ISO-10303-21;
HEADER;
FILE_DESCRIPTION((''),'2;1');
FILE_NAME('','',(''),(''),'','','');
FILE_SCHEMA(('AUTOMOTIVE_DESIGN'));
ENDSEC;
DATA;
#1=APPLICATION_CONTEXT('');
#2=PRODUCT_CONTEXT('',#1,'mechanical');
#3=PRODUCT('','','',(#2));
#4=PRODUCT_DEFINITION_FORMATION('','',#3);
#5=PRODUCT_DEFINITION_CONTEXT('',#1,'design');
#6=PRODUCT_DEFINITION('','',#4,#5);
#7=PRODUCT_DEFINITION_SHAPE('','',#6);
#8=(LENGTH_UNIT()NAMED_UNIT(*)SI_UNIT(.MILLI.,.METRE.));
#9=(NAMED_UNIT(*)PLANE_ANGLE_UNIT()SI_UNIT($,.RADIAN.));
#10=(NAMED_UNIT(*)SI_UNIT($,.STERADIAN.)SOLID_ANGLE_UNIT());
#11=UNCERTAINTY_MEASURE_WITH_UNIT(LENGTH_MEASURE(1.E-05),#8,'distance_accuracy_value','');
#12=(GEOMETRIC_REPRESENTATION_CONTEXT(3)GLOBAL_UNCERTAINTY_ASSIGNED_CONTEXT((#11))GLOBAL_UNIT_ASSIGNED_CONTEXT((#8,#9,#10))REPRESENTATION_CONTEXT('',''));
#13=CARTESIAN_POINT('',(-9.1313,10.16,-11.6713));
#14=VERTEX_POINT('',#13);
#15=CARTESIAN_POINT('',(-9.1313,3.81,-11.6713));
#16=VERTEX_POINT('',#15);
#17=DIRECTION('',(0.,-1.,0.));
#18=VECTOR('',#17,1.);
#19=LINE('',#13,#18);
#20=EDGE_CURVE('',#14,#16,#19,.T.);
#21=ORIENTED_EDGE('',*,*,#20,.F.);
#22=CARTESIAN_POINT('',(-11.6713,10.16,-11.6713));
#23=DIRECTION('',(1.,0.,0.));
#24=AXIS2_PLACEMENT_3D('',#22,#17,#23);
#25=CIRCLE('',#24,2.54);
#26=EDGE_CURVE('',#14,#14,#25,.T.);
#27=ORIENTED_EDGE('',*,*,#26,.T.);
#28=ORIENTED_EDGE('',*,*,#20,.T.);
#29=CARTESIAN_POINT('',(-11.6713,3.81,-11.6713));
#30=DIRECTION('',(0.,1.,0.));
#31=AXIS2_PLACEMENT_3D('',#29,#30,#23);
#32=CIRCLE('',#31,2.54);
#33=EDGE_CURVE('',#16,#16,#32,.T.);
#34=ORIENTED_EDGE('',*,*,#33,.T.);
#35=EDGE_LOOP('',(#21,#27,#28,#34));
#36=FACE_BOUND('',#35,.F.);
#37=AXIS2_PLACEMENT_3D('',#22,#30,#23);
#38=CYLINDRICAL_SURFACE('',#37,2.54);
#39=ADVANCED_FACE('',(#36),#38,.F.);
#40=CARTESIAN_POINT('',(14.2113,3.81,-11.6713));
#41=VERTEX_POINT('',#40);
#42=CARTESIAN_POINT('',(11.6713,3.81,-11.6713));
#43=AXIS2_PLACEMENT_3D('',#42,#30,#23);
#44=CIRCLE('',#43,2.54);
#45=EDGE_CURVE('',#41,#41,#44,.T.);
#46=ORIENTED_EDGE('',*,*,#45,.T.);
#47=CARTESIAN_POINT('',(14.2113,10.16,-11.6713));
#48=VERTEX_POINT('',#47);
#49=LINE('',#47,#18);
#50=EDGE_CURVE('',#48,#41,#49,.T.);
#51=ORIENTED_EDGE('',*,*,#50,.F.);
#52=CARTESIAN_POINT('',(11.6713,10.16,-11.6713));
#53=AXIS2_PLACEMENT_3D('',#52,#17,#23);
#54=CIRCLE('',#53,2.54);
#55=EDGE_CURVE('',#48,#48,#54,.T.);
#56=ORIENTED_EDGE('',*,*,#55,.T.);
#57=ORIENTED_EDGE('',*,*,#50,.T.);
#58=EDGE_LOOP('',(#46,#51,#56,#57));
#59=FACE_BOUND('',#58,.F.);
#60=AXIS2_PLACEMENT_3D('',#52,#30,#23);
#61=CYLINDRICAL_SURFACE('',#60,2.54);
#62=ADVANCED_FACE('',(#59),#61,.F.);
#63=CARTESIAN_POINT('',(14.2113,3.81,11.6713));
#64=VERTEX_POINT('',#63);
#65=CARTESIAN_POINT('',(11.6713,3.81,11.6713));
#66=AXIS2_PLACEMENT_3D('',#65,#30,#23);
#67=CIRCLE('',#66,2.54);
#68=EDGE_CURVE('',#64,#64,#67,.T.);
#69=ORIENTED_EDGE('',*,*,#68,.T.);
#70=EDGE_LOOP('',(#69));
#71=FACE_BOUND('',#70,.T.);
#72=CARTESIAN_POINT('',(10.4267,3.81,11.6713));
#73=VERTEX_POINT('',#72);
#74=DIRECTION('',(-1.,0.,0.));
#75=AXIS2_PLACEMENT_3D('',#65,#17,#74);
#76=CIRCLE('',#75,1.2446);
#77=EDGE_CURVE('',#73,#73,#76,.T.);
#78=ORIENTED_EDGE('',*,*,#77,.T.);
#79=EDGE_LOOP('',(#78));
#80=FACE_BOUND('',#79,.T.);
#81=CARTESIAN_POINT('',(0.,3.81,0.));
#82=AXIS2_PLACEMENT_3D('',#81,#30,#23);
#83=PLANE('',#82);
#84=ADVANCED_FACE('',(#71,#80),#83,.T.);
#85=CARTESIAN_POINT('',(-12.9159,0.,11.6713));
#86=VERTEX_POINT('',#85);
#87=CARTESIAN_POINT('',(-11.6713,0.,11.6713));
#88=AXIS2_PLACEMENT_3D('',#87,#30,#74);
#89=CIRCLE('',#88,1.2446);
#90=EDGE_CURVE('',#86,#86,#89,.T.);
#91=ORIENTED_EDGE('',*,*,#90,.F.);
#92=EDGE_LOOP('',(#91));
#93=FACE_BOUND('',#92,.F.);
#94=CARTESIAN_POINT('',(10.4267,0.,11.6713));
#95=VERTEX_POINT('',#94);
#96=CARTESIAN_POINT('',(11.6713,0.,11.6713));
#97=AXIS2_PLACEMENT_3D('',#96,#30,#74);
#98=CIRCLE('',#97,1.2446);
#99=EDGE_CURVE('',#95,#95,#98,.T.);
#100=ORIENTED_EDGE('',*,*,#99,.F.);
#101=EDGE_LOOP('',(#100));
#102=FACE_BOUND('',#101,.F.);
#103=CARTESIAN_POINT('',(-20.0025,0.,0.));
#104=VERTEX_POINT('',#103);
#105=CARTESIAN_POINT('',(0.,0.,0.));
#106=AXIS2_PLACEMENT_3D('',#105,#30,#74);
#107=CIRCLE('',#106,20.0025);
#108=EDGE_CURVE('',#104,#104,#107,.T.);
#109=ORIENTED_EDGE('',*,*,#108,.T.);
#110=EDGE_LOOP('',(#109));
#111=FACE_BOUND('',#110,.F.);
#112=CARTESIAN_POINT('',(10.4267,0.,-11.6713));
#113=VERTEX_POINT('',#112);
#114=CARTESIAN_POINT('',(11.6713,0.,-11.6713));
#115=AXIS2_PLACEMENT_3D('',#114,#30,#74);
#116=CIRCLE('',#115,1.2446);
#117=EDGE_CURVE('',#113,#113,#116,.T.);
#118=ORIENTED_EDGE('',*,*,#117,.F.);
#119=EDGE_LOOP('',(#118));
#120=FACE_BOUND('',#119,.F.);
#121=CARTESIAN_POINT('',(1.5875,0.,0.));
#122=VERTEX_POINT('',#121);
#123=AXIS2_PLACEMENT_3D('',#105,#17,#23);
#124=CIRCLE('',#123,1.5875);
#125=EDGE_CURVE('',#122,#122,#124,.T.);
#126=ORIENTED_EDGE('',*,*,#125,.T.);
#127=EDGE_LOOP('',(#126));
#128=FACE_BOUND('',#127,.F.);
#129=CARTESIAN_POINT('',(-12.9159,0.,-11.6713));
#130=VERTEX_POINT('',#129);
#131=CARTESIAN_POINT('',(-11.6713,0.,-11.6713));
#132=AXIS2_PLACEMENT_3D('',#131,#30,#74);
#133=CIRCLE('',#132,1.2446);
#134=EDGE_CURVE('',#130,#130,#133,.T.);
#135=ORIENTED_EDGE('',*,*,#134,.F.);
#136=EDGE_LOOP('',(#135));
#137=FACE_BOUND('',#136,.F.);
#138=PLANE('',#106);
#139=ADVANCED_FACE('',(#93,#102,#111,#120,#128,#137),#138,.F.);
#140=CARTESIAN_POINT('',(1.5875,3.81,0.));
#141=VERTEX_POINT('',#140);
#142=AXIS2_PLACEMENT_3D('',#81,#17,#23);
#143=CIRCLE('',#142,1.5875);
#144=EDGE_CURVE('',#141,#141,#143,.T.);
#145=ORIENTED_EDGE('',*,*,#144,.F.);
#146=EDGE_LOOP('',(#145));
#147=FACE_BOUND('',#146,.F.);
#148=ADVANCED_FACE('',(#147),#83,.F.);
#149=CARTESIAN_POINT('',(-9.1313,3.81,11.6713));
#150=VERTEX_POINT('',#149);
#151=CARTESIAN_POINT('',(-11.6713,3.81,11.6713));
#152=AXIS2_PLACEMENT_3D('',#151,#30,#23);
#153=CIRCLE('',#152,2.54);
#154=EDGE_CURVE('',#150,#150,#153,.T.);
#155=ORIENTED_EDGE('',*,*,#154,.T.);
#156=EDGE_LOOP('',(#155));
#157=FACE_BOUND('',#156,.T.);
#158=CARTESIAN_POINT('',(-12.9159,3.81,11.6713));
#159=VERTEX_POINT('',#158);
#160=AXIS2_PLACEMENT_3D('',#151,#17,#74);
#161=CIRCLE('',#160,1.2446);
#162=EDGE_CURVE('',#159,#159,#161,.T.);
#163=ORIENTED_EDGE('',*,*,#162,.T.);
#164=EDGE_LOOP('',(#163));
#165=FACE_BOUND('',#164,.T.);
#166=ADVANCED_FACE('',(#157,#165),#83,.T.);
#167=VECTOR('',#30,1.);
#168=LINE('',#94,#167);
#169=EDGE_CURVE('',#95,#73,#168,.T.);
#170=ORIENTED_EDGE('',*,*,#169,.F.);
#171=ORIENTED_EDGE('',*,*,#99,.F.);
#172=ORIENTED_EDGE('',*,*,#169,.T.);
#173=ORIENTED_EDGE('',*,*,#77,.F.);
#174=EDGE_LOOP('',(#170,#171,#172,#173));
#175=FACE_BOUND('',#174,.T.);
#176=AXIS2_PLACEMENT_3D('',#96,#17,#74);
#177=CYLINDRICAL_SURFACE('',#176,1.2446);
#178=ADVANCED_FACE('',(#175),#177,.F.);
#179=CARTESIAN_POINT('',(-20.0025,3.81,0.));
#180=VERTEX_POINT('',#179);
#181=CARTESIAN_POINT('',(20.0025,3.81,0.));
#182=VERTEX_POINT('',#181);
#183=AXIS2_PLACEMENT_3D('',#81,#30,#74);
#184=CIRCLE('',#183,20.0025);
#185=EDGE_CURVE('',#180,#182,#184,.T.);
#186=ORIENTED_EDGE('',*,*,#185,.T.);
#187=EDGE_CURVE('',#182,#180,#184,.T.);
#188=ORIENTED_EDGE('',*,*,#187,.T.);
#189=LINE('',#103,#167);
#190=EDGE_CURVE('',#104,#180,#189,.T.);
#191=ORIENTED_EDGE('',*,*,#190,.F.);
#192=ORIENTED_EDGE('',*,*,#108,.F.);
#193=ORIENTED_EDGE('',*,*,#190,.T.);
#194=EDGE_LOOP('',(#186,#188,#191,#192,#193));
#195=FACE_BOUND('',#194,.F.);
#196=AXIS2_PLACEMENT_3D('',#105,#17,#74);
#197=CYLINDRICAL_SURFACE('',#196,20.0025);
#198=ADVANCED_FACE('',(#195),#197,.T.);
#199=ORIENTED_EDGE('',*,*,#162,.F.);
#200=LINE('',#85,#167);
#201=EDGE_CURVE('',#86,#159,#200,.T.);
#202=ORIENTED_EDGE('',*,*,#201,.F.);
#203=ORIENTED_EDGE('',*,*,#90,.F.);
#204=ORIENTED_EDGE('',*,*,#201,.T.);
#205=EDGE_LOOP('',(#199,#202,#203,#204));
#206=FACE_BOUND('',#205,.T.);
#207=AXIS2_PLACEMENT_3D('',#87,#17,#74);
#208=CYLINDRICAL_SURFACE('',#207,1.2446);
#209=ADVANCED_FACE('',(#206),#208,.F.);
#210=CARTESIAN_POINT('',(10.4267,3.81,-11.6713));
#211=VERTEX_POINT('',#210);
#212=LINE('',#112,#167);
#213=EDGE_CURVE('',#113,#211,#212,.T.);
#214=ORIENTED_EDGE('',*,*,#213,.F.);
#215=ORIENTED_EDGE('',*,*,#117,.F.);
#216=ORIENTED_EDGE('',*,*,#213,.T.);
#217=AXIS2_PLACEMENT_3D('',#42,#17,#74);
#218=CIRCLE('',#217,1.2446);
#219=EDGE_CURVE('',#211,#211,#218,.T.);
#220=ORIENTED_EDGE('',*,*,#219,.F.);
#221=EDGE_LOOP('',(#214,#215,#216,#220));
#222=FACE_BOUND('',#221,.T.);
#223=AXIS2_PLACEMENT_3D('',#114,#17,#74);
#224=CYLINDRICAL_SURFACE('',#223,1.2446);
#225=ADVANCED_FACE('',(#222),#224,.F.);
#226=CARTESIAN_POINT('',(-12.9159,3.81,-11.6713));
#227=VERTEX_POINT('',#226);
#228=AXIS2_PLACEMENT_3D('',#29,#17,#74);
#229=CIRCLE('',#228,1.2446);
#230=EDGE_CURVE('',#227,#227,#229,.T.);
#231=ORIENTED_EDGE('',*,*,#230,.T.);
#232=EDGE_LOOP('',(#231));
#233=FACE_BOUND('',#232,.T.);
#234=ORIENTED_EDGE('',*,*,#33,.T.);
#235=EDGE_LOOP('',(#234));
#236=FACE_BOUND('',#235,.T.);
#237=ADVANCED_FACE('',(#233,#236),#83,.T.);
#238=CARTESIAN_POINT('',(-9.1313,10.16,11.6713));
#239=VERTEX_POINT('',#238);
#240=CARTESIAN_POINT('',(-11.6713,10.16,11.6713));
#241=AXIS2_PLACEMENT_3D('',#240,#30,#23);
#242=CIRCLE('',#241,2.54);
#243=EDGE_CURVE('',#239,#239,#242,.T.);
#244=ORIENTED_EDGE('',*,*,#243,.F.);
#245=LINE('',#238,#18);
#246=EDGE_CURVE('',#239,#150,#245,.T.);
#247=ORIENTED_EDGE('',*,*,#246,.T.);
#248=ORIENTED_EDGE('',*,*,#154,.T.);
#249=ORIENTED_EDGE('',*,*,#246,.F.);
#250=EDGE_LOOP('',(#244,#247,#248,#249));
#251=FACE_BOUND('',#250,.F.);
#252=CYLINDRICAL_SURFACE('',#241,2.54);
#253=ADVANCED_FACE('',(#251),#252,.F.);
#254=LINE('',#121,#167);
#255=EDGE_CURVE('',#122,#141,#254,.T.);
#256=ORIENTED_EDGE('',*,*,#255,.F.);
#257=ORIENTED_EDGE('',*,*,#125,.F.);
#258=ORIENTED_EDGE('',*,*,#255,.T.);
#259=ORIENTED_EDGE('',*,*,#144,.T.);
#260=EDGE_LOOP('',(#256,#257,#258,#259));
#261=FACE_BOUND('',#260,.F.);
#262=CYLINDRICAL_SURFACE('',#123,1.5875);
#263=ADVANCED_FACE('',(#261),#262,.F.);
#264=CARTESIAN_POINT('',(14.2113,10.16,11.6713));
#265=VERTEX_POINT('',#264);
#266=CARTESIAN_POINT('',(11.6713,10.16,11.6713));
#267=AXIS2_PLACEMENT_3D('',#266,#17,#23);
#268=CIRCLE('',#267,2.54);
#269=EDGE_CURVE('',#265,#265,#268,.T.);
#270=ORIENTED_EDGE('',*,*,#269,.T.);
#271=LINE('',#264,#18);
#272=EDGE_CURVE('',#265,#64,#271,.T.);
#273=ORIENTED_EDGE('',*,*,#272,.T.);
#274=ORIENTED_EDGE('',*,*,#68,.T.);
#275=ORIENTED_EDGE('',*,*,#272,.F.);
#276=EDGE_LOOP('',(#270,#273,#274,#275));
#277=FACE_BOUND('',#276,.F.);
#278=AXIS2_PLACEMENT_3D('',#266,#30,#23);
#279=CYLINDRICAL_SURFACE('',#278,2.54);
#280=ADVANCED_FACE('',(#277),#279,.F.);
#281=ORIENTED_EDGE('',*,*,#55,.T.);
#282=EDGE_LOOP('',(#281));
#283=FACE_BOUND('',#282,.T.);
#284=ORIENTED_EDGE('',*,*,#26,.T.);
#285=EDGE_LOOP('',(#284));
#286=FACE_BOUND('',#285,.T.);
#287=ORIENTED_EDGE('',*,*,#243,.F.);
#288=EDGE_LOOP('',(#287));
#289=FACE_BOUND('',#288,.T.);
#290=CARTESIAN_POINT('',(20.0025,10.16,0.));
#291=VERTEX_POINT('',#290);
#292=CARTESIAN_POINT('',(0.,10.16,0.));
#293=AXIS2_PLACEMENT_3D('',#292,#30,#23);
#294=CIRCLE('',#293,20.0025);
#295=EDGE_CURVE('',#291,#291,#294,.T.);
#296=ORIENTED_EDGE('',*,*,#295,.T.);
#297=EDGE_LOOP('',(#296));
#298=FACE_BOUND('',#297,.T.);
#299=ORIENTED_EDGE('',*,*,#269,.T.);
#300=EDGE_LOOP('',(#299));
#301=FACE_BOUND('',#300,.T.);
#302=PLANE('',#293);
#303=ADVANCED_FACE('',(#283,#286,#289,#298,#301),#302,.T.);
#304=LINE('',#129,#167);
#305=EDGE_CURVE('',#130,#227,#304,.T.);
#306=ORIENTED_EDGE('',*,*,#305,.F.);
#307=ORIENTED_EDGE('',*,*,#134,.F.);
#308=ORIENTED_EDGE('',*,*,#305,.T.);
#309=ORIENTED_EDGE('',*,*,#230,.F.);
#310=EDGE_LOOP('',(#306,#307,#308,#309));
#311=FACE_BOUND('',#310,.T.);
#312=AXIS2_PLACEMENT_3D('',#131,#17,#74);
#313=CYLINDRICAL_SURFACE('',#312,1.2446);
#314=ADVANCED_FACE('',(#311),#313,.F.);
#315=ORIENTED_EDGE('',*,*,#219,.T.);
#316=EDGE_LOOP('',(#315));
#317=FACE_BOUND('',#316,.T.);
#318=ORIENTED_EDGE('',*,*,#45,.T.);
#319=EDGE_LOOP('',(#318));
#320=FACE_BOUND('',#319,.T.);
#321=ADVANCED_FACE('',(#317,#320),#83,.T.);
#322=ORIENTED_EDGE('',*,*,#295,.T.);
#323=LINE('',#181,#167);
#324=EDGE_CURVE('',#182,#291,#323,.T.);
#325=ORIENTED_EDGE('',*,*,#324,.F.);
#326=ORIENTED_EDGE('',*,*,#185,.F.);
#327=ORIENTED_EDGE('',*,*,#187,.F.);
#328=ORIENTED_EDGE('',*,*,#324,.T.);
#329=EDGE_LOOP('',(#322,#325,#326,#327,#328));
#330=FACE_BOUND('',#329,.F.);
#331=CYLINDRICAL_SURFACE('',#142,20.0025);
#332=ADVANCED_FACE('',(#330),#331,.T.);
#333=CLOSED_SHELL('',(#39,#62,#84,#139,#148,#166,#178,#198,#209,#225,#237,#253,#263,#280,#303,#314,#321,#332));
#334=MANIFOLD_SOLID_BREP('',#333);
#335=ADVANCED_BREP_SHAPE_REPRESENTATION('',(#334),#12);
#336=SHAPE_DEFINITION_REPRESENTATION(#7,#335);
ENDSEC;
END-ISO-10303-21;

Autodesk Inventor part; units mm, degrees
ref_plane "YZ Plane" through (0, 0, 0) normal (1, 0, 0) x (0, 1, 0)
ref_plane "XZ Plane" through (0, 0, 0) normal (0, 1, 0) x (-1, 0, 0)
ref_plane "XY Plane" through (0, 0, 0) normal (0, 0, 1) x (1, 0, 0)
sketch "Sketch1" plane through (0, 0, 0) normal (0, 1, 0) x (-1, 0, 0)
  circle A0 centre (0, 0) radius 20.0025
  line L0 (-11.6713, 11.6713) -> (11.6713, 11.6713)
  line L1 (11.6713, 11.6713) -> (11.6713, -11.6713)
  line L2 (11.6713, -11.6713) -> (-11.6713, -11.6713)
  line L3 (-11.6713, -11.6713) -> (-11.6713, 11.6713)
  line L4 (-11.6713, 11.6713) -> (11.6713, -11.6713) construction
  line L5 (11.6713, 11.6713) -> (-11.6713, -11.6713) construction
  circle A1 centre (11.6713, -11.6713) radius 1.2446
  circle A2 centre (-11.6713, -11.6713) radius 1.2446
  circle A3 centre (-11.6713, 11.6713) radius 1.2446
  circle A4 centre (11.6713, 11.6713) radius 1.2446
  dimension "d0" = 40.005
  dimension "d1" = 23.3426
  dimension "d2" = 23.3426
  dimension "d3" = 2.4892
  dimension "d4" = 2.4892
  dimension "d5" = 2.4892
  dimension "d6" = 2.4892
extrude "Extrusion1" add sketch "Sketch1" along normal blind 3.81 contours A0 | L0 A4 L1 A1 L2 A2 L3 A3
sketch "Sketch3" plane through (0, 0, 0) normal (0, -1, 0) x (1, 0, 0)
  circle A0 centre (0, 0) radius 1.5875
  dimension "d10" = 3.175
extrude "Extrusion2" cut sketch "Sketch3" against normal blind 6.35
sketch "Sketch5" plane through (0, 3.81, 0) normal (0, 1, 0) x (1, 0, 0)
  circle A0 centre (0, 0) radius 20.0025
sketch "Sketch6" plane through (0, 3.81, 0) normal (0, 1, 0) x (1, 0, 0)
  line L0 (-11.6713, 11.6713) -> (11.6713, 11.6713)
  line L1 (11.6713, 11.6713) -> (11.6713, -11.6713)
  line L2 (11.6713, -11.6713) -> (-11.6713, -11.6713)
  line L3 (-11.6713, -11.6713) -> (-11.6713, 11.6713)
  circle A0 centre (0, 0) radius 1.5875 projected
  line L4 (-11.6713, 11.6713) -> (11.6713, -11.6713) construction
  line L5 (11.6713, 11.6713) -> (-11.6713, -11.6713) construction
  circle A1 centre (-11.6713, 11.6713) radius 3.175
  circle A2 centre (11.6713, 11.6713) radius 3.175
  circle A3 centre (11.6713, -11.6713) radius 3.175
  circle A4 centre (-11.6713, -11.6713) radius 1.2446 projected
  circle A5 centre (-11.6713, -11.6713) radius 3.175
  dimension "d13" = 23.3426
  dimension "d14" = 6.35
  dimension "d15" = 6.35
  dimension "d16" = 6.35
  dimension "d17" = 6.35
extrude "Extrusion3" add sketch "Sketch5" along normal blind 6.35
sketch "Sketch7" plane through (0, 10.16, 0) normal (0, 1, 0) x (1, 0, 0)
  line L0 (-11.6713, -11.6713) -> (11.6713, -11.6713)
  line L1 (11.6713, -11.6713) -> (11.6713, 11.6713)
  line L2 (11.6713, 11.6713) -> (-11.6713, 11.6713)
  line L3 (-11.6713, 11.6713) -> (-11.6713, -11.6713)
  circle A0 centre (0, 0) radius 1.5875 projected
  line L4 (-11.6713, -11.6713) -> (11.6713, 11.6713) construction
  line L5 (11.6713, -11.6713) -> (-11.6713, 11.6713) construction
  circle A1 centre (-11.6713, 11.6713) radius 1.2446 projected
  circle A2 centre (-11.6713, 11.6713) radius 2.54
  circle A3 centre (11.6713, 11.6713) radius 1.2446 projected
  circle A4 centre (11.6713, 11.6713) radius 2.54
  circle A5 centre (11.6713, -11.6713) radius 1.2446 projected
  circle A6 centre (11.6713, -11.6713) radius 2.54
  circle A7 centre (-11.6713, -11.6713) radius 1.2446 projected
  circle A8 centre (-11.6713, -11.6713) radius 2.54
  dimension "d20" = 23.3426
  dimension "d21" = 23.3426
  dimension "d22" = 5.08
  dimension "d23" = 5.08
  dimension "d24" = 5.08
  dimension "d25" = 5.08
extrude "Extrusion4" cut sketch "Sketch7" against normal blind 6.35 contours L3 A7 L0 | L0 A7 L3 | A7 L3 A8 L0 | L0 A8 L3 A7 | A6 L1 A5 L0 | L0 A5 L1 A6 | A2 L2 A1 L3 | L3 A1 L2 A2 | A5 L1 L0 | L0 L1 A5 | A1 L2 L3 | L3 L2 A1 | A4 L2 A3 L1 | L1 A3 L2 A4 | A3 L2 L1 | L1 L2 A3
properties part number "CO-0-01-Planetary1"
